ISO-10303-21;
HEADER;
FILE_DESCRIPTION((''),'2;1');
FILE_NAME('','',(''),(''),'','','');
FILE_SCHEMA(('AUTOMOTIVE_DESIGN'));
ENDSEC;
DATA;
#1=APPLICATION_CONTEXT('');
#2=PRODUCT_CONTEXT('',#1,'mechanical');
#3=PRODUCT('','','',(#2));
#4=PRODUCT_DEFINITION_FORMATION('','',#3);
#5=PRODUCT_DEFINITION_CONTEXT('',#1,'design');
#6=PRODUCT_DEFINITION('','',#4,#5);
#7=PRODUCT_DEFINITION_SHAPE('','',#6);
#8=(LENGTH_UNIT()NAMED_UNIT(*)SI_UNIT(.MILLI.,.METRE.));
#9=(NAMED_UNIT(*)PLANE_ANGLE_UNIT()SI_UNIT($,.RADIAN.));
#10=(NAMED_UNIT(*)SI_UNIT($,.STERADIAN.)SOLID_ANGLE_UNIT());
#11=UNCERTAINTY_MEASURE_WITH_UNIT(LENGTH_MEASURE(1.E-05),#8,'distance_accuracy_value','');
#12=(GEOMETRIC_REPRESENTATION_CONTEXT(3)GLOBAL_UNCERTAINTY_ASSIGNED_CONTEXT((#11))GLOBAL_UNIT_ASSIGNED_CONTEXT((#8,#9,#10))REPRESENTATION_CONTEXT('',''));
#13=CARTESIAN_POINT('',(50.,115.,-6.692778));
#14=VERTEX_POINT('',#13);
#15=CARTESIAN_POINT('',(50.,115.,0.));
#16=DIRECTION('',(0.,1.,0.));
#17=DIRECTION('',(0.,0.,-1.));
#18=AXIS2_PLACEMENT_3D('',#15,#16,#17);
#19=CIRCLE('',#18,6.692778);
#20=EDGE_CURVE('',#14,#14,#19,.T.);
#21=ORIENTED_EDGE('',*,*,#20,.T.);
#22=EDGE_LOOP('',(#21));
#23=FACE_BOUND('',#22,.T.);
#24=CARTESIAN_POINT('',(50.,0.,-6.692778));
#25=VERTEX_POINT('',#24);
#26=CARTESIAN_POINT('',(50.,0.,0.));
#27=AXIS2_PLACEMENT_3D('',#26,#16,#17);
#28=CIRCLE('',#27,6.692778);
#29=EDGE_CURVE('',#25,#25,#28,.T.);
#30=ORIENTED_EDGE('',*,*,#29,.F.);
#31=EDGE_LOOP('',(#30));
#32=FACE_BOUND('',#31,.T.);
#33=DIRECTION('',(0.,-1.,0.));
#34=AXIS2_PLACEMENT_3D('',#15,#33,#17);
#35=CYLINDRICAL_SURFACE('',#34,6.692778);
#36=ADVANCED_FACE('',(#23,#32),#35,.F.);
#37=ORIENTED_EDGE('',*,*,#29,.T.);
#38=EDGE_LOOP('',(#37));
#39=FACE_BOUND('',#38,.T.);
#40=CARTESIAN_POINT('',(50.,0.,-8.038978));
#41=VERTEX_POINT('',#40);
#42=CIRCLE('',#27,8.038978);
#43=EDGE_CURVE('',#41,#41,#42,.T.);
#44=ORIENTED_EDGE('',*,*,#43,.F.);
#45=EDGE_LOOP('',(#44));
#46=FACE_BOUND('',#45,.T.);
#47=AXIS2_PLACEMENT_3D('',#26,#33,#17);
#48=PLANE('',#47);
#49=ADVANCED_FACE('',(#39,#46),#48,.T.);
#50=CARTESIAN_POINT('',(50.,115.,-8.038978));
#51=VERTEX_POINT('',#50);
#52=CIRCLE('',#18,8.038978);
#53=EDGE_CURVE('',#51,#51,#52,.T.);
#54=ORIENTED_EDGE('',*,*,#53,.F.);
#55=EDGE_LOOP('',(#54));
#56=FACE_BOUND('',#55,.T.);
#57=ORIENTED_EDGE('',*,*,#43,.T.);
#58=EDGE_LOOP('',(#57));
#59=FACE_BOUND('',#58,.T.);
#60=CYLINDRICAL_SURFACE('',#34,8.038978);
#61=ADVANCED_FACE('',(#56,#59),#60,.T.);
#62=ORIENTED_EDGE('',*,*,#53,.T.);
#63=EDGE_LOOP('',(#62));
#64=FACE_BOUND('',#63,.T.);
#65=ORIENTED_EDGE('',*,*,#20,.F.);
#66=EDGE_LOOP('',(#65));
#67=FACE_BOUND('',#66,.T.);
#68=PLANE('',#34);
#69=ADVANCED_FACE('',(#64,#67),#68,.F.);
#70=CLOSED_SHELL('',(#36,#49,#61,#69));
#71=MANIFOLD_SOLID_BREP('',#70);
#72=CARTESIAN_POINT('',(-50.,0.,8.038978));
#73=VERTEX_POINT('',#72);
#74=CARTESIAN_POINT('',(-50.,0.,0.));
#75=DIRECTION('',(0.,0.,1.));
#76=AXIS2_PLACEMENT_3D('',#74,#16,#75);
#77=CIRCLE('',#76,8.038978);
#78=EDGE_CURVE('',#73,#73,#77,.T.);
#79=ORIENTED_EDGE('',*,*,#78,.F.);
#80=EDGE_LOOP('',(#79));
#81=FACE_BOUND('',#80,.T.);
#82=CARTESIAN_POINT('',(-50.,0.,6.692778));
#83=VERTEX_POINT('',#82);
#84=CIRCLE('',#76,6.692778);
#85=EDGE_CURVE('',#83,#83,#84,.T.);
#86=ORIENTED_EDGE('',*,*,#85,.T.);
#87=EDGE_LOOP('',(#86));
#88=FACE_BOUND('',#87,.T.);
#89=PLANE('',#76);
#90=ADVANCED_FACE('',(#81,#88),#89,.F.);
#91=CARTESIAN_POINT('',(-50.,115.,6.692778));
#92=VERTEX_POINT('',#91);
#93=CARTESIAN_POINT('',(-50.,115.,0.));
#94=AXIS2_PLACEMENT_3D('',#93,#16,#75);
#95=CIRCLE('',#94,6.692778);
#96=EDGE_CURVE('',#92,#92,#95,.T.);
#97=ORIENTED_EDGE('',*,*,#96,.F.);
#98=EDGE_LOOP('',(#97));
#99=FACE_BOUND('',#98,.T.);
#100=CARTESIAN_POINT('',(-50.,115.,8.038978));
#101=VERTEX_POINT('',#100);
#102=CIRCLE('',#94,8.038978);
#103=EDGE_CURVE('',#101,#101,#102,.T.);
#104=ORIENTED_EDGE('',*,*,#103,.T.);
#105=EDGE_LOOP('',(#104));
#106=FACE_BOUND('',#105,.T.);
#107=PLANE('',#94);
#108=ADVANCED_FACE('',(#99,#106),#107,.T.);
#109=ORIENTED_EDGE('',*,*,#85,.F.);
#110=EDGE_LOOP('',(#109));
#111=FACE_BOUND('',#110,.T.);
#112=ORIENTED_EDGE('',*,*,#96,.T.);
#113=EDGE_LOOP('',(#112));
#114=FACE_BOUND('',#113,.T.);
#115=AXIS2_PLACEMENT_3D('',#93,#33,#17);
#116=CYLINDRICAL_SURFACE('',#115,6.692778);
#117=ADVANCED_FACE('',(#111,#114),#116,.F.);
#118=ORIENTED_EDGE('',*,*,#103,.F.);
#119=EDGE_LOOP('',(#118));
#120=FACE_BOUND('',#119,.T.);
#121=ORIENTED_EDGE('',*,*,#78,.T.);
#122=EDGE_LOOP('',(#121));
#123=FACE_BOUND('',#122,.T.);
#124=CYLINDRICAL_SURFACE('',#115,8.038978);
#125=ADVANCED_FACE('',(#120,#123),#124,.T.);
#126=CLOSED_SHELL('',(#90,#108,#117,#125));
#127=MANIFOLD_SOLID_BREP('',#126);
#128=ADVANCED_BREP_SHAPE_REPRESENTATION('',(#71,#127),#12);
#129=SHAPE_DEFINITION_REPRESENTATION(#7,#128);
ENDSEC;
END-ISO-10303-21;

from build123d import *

# Parameters (mm, degrees)
SKETCH1_R             = 8.038978159
SKETCH1_R_2           = 6.692778159
BOSS_EXTRUDE1_DEPTH   = 115
BOSS_EXTRUDE1_2_DEPTH = 115


with BuildPart() as part:
    # Sketch1 → Boss-Extrude1 (new body)
    with BuildSketch(Plane(origin=(0, 0, 0), x_dir=(1, 0, 0), z_dir=(0, 1, 0))):
        with Locations((-50, 0)):
            Circle(SKETCH1_R)
        with Locations((-50, 0)):
            Circle(SKETCH1_R_2, mode=Mode.SUBTRACT)
    extrude(amount=BOSS_EXTRUDE1_DEPTH)


with BuildPart() as body_2:
    # Sketch1 → Boss-Extrude1 2 (new body)
    with BuildSketch(Plane(origin=(0, 0, 0), x_dir=(1, 0, 0), z_dir=(0, 1, 0))):
        with Locations((50, 0)):
            Circle(SKETCH1_R)
        with Locations((50, 0)):
            Circle(SKETCH1_R_2, mode=Mode.SUBTRACT)
    extrude(amount=BOSS_EXTRUDE1_2_DEPTH)


solid = Compound([part.part, body_2.part])
